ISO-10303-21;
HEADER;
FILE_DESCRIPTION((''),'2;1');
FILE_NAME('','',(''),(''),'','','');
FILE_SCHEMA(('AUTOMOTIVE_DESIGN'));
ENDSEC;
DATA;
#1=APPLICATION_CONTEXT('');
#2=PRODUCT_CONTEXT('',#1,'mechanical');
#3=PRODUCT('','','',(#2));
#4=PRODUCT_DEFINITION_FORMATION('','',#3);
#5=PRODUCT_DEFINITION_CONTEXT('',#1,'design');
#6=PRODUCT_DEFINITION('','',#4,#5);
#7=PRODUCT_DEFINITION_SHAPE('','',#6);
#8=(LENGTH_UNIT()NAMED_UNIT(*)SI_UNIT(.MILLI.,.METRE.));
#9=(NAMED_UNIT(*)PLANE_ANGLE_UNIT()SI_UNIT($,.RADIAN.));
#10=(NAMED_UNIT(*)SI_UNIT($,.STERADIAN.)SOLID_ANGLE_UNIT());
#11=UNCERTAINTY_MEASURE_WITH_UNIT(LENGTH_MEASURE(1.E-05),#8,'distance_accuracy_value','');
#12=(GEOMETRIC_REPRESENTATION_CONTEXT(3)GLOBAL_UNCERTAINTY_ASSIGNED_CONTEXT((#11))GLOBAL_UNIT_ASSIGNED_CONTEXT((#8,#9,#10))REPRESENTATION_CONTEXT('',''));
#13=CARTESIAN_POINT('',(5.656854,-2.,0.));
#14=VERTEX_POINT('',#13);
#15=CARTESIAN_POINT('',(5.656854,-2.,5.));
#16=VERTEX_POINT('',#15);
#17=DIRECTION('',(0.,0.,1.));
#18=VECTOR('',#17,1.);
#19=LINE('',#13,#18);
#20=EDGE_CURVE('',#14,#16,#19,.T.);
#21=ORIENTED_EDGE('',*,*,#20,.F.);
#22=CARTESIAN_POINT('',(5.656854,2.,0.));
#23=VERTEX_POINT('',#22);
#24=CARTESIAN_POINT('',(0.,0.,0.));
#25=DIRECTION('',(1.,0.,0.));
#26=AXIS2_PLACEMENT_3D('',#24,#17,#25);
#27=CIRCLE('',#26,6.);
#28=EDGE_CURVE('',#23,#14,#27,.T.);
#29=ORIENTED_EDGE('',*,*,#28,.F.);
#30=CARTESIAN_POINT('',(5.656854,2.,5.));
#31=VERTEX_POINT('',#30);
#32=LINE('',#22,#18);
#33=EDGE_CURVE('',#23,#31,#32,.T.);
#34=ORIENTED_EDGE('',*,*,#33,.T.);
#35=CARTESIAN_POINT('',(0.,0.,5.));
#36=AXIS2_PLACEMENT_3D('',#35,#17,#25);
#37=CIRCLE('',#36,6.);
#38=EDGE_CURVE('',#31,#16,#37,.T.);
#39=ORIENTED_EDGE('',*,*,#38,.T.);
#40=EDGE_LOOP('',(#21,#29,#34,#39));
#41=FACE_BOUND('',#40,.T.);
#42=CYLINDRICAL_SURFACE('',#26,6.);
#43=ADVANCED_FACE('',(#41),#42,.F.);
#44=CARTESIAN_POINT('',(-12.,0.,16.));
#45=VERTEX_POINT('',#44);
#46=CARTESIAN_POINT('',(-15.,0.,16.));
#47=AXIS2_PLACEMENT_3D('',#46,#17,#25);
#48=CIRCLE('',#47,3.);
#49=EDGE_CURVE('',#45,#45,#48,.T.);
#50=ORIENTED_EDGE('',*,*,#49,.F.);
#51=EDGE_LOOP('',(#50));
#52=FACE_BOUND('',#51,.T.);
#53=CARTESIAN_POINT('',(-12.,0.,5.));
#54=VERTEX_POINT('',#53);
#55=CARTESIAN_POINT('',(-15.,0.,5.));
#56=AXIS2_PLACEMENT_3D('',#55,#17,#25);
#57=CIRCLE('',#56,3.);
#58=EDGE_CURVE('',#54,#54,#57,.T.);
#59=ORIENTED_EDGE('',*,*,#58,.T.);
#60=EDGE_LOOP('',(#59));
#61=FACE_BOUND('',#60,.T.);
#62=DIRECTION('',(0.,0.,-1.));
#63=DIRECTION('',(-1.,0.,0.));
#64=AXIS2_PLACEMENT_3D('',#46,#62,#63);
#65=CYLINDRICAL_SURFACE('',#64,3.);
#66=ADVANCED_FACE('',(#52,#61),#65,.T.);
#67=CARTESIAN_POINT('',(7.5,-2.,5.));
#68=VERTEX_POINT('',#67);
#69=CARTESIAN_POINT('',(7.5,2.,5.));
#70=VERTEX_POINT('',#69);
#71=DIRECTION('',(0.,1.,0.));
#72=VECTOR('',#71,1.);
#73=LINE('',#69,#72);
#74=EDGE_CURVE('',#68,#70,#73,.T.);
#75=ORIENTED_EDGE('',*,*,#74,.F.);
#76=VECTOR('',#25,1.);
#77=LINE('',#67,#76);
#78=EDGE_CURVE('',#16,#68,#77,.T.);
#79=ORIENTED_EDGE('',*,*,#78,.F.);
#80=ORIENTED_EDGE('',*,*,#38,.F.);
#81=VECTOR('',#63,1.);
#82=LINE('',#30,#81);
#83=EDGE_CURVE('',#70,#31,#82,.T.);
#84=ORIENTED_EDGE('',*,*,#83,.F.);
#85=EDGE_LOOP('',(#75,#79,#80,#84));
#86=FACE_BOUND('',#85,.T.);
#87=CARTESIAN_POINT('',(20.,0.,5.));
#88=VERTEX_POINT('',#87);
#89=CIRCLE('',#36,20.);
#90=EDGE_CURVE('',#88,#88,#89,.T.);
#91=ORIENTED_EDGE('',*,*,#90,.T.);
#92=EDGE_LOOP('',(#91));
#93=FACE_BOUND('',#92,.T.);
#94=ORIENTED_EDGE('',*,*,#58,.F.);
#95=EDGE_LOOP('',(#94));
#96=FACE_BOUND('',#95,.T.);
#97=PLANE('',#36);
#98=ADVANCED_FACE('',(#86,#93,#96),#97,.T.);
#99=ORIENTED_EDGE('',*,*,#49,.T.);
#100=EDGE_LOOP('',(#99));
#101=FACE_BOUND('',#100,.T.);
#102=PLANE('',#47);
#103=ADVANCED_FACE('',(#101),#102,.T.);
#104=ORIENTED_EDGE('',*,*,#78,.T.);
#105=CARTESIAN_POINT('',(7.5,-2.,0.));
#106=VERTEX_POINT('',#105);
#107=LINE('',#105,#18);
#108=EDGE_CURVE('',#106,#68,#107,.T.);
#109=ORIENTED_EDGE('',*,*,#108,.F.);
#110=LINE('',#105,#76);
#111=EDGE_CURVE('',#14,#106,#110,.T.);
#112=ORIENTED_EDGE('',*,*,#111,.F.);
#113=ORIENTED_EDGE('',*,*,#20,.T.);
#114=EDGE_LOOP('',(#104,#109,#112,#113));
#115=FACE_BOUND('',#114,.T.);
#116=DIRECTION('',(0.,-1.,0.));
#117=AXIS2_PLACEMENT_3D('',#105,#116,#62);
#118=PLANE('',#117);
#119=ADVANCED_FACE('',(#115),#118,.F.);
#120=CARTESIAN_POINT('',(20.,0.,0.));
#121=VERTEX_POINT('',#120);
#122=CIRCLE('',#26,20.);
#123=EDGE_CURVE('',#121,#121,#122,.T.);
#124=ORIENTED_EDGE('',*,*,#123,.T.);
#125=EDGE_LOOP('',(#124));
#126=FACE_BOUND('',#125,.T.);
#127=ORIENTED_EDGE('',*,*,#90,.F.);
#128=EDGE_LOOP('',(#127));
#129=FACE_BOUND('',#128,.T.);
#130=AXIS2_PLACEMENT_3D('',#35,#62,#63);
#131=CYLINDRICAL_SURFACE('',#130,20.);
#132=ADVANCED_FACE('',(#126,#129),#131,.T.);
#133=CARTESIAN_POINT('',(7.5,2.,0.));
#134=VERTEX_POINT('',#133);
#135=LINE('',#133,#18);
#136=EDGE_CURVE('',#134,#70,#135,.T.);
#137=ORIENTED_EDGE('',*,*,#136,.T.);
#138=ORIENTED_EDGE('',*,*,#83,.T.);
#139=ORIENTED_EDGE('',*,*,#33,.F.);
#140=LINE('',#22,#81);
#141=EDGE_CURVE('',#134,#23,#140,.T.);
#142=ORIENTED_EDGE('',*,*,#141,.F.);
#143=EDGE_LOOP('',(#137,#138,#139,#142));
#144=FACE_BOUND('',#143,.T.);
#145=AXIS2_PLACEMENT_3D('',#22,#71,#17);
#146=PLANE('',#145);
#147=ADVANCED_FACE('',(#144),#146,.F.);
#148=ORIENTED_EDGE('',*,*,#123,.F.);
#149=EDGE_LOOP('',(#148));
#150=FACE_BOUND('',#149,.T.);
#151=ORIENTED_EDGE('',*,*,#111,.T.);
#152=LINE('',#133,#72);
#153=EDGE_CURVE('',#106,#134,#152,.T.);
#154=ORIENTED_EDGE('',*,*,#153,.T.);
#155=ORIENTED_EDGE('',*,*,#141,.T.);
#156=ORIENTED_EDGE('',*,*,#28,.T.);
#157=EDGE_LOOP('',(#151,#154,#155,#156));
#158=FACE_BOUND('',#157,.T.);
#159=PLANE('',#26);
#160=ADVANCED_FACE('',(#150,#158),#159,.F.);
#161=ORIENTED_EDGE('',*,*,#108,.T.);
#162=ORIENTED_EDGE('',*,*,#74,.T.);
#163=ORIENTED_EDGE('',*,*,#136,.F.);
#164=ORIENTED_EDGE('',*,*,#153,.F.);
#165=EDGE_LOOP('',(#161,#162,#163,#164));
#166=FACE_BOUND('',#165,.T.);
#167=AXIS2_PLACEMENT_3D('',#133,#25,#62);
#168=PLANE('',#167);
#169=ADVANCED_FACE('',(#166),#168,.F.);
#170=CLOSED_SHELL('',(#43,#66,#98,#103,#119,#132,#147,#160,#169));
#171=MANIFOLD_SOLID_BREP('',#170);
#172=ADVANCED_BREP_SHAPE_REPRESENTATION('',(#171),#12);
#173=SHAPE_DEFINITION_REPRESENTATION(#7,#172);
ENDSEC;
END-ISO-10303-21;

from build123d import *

# Parameters (mm, degrees)
SKETCH1_R           = 20
BOSS_EXTRUDE1_DEPTH = 5
SKETCH3_R           = 3
BOSS_EXTRUDE2_DEPTH = 11
CUT_EXTRUDE1_DEPTH  = 6


with BuildPart() as part:
    # Sketch1 → Boss-Extrude1 (new body)
    with BuildSketch(Plane.XY):
        Circle(SKETCH1_R)
    extrude(amount=BOSS_EXTRUDE1_DEPTH)

    # Sketch3 → Boss-Extrude2 (add)
    with BuildSketch(Plane.XY.offset(5)):
        with Locations((-15, 0)):
            Circle(SKETCH3_R)
    extrude(amount=BOSS_EXTRUDE2_DEPTH)

    # Sketch5 → Cut-Extrude1 (cut, through all)
    with BuildSketch(Plane.XY.offset(5)):
        with BuildLine():
            Line((5.656854249, 2), (7.5, 2))
            Line((7.5, 2), (7.5, -2))
            Line((7.5, -2), (5.656854249, -2))
            ThreePointArc((5.656854249, -2), (-6, 0), (5.656854249, 2))
        make_face()
    extrude(amount=-CUT_EXTRUDE1_DEPTH, mode=Mode.SUBTRACT)


solid = part.part
